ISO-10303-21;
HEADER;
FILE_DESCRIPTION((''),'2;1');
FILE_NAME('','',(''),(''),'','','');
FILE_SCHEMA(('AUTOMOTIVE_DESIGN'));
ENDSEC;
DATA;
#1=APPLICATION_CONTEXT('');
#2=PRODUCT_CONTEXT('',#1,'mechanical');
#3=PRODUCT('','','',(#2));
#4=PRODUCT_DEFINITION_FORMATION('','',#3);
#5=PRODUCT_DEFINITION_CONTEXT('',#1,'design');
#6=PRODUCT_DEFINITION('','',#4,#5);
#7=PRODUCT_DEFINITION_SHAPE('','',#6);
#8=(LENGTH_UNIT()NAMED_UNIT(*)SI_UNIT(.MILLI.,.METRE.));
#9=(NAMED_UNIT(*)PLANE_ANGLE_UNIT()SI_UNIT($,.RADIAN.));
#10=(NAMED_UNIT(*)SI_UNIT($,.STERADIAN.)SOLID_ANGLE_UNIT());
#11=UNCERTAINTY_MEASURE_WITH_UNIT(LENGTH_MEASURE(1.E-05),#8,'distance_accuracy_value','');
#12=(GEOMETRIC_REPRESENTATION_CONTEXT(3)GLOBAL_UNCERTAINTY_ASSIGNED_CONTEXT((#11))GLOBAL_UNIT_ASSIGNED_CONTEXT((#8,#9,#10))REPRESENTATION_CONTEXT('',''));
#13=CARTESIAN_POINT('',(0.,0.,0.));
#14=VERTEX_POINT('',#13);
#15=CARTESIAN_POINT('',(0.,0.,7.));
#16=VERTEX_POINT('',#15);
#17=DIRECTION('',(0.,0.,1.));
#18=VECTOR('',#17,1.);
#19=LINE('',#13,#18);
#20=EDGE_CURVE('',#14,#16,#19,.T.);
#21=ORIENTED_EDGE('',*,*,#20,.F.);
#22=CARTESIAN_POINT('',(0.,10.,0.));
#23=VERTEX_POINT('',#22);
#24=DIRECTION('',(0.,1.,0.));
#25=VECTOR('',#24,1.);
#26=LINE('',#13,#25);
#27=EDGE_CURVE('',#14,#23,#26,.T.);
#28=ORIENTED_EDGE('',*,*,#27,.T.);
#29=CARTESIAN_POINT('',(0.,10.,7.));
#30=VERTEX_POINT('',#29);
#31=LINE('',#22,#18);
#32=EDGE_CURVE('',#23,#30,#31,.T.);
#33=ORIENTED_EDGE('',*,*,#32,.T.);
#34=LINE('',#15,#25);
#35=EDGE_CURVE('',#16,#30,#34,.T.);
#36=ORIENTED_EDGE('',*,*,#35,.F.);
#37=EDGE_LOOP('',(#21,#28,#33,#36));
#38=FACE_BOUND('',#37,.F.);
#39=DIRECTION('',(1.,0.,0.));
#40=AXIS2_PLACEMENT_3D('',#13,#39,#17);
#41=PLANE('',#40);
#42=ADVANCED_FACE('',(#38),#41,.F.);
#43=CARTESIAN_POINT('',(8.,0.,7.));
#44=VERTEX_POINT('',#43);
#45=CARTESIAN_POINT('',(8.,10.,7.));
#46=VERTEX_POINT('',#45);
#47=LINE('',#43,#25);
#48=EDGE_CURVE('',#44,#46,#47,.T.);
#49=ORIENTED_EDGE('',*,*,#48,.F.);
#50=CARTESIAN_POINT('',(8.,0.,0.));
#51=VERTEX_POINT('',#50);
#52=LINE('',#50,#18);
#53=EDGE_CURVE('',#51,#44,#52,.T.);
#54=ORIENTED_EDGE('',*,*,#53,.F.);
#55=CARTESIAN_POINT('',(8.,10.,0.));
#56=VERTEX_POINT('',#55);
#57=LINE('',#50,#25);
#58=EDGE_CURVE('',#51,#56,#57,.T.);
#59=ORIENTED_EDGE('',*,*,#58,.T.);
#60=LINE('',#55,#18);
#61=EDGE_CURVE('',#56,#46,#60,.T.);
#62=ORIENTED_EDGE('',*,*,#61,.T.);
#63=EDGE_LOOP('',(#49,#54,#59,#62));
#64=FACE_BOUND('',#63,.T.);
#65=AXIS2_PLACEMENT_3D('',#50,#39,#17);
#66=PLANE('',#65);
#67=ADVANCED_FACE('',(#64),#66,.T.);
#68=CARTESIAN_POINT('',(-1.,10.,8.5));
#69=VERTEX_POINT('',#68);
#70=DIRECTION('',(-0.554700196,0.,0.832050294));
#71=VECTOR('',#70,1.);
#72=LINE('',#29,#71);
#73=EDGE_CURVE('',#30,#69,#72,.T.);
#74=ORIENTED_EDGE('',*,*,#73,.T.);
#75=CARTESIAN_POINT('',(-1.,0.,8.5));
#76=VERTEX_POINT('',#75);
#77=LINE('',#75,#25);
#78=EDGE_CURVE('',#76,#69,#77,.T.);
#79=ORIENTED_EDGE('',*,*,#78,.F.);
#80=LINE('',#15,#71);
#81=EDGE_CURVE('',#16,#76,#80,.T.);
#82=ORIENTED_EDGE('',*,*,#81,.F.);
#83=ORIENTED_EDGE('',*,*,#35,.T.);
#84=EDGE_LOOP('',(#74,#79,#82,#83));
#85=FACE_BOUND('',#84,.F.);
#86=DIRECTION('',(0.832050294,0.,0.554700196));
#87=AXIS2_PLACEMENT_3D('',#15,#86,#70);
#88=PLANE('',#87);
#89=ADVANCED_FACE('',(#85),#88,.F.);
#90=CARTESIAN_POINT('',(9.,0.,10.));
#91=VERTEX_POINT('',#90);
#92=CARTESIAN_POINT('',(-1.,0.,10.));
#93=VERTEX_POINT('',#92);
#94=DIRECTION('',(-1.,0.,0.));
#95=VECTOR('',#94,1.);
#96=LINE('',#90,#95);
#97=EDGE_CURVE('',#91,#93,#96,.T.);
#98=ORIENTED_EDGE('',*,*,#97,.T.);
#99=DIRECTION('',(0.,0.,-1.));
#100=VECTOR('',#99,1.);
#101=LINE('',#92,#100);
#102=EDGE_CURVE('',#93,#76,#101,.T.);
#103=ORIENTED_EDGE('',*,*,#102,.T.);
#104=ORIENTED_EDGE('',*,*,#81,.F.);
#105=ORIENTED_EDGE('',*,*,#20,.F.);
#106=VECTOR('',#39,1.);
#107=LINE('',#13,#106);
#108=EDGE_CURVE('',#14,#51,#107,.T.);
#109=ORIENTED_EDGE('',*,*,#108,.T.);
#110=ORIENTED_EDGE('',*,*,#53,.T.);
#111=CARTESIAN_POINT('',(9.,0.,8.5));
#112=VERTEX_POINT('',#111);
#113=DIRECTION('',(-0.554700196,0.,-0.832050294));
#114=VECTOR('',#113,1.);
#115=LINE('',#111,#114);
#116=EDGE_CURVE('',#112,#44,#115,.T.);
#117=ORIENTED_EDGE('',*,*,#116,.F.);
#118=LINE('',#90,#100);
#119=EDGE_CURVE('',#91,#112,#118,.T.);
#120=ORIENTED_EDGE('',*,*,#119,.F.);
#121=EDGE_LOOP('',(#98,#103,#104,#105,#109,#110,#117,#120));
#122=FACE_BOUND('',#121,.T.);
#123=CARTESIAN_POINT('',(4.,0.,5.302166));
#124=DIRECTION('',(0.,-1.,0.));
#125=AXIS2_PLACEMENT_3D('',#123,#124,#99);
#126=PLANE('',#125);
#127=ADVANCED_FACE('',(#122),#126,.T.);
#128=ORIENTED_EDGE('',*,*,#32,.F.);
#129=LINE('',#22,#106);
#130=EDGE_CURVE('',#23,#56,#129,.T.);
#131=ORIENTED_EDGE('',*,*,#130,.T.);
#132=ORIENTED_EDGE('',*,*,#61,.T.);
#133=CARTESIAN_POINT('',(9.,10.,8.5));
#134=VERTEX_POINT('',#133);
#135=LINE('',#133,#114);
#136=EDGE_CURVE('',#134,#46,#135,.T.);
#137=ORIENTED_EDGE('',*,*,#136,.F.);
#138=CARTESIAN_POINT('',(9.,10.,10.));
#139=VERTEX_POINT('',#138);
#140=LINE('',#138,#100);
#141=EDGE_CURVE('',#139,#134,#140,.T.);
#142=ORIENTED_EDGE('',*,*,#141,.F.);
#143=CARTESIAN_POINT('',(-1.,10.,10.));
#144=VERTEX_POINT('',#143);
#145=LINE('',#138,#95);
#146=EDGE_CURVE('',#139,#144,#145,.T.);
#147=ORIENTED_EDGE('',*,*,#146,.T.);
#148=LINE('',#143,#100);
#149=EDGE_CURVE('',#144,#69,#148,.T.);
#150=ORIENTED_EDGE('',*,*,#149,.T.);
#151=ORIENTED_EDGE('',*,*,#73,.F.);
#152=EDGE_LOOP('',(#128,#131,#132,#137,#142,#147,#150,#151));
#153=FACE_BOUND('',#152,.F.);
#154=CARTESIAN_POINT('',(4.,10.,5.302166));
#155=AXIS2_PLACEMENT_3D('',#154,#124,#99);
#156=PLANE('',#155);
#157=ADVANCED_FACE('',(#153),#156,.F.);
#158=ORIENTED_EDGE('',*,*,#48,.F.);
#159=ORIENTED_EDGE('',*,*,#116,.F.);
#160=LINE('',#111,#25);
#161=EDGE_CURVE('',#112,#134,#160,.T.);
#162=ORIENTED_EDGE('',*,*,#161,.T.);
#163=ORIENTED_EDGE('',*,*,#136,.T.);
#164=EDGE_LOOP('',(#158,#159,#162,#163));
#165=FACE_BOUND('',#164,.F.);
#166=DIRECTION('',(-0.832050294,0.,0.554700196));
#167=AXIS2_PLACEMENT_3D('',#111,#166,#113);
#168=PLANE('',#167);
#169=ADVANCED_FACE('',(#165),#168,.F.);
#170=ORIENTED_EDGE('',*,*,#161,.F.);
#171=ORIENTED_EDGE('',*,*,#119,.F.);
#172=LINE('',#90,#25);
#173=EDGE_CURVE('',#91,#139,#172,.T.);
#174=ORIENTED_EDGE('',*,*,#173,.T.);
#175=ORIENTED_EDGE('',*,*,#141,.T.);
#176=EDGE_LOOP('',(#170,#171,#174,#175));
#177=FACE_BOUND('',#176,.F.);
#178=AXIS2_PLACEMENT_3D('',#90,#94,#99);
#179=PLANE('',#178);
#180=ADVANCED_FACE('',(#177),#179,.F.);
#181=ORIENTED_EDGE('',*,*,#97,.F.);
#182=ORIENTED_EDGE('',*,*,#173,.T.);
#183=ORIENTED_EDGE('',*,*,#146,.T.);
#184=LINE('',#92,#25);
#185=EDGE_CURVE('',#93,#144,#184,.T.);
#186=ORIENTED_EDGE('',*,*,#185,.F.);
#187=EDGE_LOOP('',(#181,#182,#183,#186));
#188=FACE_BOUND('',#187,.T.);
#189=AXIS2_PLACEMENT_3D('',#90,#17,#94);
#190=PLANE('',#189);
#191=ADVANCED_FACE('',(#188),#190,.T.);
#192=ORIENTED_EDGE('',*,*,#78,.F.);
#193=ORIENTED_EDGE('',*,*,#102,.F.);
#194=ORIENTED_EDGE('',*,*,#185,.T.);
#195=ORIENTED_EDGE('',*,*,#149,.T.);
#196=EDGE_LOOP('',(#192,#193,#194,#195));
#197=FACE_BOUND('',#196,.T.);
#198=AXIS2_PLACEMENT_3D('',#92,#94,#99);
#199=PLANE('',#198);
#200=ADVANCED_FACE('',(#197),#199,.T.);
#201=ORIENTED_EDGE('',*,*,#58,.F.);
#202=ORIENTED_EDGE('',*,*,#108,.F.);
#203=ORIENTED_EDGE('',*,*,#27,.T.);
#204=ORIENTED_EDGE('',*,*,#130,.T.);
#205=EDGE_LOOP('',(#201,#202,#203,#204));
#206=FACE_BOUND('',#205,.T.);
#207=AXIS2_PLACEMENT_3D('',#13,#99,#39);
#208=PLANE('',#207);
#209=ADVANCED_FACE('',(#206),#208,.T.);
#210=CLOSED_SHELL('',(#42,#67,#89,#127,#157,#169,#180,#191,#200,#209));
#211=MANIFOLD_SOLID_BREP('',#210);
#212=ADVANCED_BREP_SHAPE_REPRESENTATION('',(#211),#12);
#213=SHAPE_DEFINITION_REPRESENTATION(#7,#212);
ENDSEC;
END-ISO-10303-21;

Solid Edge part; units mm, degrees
sketch "Sketch1" plane through (0, 0, 0) normal (0, -1, 0) x (1, 0, 0)
  line L0 (9, 10) -> (-1, 10)
  line L1 (-1, 10) -> (-1, 8.5)
  line L2 (0, 7) -> (-1, 8.5)
  line L3 (0, 0) -> (0, 7)
  line L4 (0, 0) -> (8, 0)
  line L5 (8, 0) -> (8, 7)
  line L6 (9, 8.5) -> (8, 7)
  line L7 (9, 10) -> (9, 8.5)
extrude "Protrusion1" add sketch "Sketch1" against normal blind 10
properties material "Stainless Steel, 420"
